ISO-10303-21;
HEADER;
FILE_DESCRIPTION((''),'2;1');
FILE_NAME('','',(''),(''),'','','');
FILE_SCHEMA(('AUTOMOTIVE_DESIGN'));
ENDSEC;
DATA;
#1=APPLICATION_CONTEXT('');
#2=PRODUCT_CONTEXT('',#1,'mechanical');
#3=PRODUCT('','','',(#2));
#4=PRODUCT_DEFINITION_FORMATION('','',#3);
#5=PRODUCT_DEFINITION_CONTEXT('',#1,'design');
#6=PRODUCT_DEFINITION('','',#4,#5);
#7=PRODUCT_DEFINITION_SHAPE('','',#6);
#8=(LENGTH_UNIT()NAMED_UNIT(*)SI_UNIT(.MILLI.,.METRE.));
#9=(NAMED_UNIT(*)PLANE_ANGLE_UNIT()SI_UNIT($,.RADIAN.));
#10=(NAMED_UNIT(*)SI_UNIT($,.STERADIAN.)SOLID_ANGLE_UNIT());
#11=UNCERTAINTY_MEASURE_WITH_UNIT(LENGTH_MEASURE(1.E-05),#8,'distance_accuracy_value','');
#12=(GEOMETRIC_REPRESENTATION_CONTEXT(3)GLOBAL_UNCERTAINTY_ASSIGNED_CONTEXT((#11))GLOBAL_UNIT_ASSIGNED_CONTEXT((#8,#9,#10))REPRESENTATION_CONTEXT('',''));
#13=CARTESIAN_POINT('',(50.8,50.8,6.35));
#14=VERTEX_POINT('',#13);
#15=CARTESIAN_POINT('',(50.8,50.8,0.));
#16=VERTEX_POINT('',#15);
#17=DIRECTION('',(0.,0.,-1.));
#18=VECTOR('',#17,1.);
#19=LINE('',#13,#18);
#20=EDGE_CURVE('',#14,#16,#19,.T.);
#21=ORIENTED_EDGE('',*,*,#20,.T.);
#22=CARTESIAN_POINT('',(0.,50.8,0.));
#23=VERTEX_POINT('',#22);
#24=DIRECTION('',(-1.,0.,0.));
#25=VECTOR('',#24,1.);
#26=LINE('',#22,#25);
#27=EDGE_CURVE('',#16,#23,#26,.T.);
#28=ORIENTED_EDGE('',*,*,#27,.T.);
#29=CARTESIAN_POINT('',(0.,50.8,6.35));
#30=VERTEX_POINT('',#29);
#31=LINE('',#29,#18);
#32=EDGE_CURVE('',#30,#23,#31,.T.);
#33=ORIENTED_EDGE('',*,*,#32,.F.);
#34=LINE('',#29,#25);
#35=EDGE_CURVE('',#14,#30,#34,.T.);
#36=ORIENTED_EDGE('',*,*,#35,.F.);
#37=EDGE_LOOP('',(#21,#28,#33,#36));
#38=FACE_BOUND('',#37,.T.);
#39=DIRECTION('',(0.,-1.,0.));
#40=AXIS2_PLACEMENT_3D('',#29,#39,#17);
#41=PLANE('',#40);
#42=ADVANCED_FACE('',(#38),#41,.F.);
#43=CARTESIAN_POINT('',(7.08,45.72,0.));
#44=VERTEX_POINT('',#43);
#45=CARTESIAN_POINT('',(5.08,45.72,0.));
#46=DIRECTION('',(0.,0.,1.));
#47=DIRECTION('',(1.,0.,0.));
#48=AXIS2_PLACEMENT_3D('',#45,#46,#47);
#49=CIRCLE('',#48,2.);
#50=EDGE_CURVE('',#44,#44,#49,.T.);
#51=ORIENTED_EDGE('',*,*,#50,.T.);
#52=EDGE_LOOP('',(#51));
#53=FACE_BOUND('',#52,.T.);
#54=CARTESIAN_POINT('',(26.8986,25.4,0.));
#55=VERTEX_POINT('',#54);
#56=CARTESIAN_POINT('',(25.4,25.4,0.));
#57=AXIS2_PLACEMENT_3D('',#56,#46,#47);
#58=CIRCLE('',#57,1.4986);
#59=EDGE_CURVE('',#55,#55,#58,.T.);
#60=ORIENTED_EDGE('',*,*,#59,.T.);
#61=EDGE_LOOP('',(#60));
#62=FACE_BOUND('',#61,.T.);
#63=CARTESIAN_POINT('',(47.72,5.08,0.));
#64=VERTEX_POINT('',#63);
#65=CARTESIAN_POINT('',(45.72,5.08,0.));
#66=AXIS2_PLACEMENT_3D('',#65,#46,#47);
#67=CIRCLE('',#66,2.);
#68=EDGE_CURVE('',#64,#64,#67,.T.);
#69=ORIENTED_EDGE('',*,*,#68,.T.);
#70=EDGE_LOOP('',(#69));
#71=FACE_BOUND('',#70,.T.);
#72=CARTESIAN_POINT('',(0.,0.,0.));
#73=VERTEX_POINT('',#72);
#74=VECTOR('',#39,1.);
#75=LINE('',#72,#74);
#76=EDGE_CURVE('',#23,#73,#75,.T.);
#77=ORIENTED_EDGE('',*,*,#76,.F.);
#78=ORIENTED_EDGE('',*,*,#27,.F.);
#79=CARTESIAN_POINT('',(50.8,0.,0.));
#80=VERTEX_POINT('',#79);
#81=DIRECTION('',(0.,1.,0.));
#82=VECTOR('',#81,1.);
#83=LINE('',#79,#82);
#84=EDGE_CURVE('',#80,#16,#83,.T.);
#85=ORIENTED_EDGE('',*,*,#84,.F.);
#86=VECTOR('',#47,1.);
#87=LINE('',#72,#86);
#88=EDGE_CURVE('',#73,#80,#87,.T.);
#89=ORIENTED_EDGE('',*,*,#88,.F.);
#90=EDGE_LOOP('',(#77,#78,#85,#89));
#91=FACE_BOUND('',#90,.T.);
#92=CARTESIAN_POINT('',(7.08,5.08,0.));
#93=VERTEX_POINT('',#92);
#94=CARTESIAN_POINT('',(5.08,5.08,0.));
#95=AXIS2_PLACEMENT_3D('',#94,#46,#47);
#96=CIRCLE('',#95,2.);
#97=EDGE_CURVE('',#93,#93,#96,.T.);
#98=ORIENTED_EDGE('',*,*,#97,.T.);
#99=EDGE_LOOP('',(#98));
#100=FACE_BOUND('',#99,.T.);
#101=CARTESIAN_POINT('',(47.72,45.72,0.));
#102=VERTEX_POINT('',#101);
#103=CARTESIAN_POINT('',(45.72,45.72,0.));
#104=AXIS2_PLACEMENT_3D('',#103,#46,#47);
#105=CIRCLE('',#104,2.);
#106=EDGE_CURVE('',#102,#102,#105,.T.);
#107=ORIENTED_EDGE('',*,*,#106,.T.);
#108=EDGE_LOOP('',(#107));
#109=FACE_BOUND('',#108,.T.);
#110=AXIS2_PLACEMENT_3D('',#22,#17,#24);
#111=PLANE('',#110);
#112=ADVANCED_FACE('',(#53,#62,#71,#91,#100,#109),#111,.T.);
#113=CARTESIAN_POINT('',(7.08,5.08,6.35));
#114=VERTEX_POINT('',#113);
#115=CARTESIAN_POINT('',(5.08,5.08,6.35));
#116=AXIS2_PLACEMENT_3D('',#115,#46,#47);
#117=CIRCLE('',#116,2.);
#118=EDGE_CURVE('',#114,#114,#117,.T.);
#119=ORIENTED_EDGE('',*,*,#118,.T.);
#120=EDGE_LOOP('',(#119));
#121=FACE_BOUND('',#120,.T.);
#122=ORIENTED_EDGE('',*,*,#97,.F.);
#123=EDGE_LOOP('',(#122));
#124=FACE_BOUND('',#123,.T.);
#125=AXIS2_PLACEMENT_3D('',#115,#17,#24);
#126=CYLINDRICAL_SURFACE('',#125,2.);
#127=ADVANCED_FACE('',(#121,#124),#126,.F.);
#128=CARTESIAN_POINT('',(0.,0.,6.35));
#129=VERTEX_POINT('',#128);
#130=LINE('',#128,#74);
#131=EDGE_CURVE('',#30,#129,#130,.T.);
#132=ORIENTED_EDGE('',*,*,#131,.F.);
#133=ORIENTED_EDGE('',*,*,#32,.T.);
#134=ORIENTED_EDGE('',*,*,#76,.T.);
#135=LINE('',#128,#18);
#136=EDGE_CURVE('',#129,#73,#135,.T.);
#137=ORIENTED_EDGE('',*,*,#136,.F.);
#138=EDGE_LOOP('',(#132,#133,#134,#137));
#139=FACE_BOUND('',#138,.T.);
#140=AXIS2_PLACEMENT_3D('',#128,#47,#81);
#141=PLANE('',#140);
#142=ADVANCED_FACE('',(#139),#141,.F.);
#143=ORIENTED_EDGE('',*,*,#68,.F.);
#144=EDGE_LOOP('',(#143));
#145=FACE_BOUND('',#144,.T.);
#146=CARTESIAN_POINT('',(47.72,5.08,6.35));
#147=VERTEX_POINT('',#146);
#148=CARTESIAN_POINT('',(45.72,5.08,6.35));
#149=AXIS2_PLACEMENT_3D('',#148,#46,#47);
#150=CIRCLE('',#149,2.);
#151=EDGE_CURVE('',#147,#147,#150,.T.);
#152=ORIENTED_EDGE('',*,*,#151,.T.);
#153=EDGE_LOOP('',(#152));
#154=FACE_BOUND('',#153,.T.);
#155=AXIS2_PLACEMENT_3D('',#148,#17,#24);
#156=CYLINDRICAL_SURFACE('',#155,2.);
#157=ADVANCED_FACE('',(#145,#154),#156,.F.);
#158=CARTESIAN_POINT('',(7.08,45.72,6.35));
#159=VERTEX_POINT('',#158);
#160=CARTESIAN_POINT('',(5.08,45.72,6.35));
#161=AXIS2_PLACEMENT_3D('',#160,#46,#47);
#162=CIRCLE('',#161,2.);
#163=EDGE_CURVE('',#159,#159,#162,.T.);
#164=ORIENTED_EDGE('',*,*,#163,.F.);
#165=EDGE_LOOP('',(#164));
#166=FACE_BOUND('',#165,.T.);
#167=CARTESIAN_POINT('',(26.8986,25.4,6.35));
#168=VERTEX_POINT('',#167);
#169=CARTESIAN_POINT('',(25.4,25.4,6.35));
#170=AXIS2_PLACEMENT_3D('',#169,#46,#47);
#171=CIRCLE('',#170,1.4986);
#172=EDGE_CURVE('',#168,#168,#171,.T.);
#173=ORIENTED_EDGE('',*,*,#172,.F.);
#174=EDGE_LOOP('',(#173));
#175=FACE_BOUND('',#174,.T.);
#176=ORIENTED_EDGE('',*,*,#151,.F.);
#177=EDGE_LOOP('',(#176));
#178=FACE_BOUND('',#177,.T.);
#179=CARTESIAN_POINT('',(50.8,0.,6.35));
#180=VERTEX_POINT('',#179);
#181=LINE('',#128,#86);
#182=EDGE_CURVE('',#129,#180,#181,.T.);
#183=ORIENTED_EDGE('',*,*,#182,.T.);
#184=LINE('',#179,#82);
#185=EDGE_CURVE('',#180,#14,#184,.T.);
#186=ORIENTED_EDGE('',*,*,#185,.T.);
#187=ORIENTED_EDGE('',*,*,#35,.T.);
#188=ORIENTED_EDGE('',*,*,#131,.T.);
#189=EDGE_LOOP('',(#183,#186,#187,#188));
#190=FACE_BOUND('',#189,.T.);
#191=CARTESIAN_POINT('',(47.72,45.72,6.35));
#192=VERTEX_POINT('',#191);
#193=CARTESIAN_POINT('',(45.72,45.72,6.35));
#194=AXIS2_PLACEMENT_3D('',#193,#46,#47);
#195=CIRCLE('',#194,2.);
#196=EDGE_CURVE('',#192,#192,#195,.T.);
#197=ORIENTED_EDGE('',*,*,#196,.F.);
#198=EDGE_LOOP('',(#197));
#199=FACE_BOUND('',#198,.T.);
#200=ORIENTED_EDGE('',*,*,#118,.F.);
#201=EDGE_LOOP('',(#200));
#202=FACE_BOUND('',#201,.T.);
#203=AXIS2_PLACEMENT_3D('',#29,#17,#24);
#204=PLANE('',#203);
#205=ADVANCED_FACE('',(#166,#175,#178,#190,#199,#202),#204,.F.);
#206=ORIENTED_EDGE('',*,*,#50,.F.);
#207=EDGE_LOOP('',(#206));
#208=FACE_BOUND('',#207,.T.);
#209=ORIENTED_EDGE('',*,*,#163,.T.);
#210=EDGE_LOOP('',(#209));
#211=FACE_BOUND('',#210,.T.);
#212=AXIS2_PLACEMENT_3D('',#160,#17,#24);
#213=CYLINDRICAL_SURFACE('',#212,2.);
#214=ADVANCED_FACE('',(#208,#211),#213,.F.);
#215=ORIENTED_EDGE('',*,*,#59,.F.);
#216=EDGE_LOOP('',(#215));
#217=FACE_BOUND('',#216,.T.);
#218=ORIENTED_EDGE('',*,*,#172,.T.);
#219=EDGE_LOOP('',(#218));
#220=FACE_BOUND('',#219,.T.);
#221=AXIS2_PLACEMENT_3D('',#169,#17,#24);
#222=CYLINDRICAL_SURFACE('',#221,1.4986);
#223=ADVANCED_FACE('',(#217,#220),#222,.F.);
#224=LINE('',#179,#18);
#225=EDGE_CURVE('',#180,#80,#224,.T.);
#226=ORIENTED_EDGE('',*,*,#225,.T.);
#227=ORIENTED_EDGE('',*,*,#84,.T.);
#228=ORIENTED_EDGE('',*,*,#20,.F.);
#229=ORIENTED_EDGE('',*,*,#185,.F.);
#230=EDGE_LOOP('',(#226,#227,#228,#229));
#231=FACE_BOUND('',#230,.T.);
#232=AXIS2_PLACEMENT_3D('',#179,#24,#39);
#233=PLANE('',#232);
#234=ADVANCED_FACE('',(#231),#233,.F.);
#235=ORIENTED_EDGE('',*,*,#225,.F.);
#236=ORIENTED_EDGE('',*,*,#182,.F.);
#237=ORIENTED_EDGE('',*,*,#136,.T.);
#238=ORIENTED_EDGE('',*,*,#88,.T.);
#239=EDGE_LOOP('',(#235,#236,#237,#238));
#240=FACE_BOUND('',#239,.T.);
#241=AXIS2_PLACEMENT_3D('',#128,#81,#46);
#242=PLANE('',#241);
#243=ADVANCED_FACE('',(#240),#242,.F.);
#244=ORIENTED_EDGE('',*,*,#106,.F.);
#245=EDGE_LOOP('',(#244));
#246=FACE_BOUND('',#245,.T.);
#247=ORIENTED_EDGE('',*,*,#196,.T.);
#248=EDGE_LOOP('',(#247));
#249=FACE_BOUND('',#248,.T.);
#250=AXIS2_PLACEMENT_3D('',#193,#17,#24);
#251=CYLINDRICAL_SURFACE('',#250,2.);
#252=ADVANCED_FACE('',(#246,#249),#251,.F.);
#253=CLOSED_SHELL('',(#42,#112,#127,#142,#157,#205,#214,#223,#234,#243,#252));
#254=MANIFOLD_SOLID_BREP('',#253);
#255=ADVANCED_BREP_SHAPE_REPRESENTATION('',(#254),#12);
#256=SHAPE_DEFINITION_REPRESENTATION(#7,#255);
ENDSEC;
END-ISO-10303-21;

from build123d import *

# Parameters (mm, degrees)
SKETCH2_W           = 50.8
SKETCH2_H           = 50.8
SKETCH2_R           = 2
SKETCH2_R_2         = 1.4986
BOSS_EXTRUDE1_DEPTH = 6.35


with BuildPart() as part:
    # Sketch2 → Boss-Extrude1 (new body)
    with BuildSketch(Plane.XY):
        with Locations((25.4, 25.4)):
            Rectangle(SKETCH2_W, SKETCH2_H)
        with Locations((5.08, 45.72)):
            Circle(SKETCH2_R, mode=Mode.SUBTRACT)
        with Locations((45.72, 45.72)):
            Circle(SKETCH2_R, mode=Mode.SUBTRACT)
        with Locations((45.72, 5.08)):
            Circle(SKETCH2_R, mode=Mode.SUBTRACT)
        with Locations((5.08, 5.08)):
            Circle(SKETCH2_R, mode=Mode.SUBTRACT)
        with Locations((25.4, 25.4)):
            Circle(SKETCH2_R_2, mode=Mode.SUBTRACT)
    extrude(amount=BOSS_EXTRUDE1_DEPTH)


solid = part.part
